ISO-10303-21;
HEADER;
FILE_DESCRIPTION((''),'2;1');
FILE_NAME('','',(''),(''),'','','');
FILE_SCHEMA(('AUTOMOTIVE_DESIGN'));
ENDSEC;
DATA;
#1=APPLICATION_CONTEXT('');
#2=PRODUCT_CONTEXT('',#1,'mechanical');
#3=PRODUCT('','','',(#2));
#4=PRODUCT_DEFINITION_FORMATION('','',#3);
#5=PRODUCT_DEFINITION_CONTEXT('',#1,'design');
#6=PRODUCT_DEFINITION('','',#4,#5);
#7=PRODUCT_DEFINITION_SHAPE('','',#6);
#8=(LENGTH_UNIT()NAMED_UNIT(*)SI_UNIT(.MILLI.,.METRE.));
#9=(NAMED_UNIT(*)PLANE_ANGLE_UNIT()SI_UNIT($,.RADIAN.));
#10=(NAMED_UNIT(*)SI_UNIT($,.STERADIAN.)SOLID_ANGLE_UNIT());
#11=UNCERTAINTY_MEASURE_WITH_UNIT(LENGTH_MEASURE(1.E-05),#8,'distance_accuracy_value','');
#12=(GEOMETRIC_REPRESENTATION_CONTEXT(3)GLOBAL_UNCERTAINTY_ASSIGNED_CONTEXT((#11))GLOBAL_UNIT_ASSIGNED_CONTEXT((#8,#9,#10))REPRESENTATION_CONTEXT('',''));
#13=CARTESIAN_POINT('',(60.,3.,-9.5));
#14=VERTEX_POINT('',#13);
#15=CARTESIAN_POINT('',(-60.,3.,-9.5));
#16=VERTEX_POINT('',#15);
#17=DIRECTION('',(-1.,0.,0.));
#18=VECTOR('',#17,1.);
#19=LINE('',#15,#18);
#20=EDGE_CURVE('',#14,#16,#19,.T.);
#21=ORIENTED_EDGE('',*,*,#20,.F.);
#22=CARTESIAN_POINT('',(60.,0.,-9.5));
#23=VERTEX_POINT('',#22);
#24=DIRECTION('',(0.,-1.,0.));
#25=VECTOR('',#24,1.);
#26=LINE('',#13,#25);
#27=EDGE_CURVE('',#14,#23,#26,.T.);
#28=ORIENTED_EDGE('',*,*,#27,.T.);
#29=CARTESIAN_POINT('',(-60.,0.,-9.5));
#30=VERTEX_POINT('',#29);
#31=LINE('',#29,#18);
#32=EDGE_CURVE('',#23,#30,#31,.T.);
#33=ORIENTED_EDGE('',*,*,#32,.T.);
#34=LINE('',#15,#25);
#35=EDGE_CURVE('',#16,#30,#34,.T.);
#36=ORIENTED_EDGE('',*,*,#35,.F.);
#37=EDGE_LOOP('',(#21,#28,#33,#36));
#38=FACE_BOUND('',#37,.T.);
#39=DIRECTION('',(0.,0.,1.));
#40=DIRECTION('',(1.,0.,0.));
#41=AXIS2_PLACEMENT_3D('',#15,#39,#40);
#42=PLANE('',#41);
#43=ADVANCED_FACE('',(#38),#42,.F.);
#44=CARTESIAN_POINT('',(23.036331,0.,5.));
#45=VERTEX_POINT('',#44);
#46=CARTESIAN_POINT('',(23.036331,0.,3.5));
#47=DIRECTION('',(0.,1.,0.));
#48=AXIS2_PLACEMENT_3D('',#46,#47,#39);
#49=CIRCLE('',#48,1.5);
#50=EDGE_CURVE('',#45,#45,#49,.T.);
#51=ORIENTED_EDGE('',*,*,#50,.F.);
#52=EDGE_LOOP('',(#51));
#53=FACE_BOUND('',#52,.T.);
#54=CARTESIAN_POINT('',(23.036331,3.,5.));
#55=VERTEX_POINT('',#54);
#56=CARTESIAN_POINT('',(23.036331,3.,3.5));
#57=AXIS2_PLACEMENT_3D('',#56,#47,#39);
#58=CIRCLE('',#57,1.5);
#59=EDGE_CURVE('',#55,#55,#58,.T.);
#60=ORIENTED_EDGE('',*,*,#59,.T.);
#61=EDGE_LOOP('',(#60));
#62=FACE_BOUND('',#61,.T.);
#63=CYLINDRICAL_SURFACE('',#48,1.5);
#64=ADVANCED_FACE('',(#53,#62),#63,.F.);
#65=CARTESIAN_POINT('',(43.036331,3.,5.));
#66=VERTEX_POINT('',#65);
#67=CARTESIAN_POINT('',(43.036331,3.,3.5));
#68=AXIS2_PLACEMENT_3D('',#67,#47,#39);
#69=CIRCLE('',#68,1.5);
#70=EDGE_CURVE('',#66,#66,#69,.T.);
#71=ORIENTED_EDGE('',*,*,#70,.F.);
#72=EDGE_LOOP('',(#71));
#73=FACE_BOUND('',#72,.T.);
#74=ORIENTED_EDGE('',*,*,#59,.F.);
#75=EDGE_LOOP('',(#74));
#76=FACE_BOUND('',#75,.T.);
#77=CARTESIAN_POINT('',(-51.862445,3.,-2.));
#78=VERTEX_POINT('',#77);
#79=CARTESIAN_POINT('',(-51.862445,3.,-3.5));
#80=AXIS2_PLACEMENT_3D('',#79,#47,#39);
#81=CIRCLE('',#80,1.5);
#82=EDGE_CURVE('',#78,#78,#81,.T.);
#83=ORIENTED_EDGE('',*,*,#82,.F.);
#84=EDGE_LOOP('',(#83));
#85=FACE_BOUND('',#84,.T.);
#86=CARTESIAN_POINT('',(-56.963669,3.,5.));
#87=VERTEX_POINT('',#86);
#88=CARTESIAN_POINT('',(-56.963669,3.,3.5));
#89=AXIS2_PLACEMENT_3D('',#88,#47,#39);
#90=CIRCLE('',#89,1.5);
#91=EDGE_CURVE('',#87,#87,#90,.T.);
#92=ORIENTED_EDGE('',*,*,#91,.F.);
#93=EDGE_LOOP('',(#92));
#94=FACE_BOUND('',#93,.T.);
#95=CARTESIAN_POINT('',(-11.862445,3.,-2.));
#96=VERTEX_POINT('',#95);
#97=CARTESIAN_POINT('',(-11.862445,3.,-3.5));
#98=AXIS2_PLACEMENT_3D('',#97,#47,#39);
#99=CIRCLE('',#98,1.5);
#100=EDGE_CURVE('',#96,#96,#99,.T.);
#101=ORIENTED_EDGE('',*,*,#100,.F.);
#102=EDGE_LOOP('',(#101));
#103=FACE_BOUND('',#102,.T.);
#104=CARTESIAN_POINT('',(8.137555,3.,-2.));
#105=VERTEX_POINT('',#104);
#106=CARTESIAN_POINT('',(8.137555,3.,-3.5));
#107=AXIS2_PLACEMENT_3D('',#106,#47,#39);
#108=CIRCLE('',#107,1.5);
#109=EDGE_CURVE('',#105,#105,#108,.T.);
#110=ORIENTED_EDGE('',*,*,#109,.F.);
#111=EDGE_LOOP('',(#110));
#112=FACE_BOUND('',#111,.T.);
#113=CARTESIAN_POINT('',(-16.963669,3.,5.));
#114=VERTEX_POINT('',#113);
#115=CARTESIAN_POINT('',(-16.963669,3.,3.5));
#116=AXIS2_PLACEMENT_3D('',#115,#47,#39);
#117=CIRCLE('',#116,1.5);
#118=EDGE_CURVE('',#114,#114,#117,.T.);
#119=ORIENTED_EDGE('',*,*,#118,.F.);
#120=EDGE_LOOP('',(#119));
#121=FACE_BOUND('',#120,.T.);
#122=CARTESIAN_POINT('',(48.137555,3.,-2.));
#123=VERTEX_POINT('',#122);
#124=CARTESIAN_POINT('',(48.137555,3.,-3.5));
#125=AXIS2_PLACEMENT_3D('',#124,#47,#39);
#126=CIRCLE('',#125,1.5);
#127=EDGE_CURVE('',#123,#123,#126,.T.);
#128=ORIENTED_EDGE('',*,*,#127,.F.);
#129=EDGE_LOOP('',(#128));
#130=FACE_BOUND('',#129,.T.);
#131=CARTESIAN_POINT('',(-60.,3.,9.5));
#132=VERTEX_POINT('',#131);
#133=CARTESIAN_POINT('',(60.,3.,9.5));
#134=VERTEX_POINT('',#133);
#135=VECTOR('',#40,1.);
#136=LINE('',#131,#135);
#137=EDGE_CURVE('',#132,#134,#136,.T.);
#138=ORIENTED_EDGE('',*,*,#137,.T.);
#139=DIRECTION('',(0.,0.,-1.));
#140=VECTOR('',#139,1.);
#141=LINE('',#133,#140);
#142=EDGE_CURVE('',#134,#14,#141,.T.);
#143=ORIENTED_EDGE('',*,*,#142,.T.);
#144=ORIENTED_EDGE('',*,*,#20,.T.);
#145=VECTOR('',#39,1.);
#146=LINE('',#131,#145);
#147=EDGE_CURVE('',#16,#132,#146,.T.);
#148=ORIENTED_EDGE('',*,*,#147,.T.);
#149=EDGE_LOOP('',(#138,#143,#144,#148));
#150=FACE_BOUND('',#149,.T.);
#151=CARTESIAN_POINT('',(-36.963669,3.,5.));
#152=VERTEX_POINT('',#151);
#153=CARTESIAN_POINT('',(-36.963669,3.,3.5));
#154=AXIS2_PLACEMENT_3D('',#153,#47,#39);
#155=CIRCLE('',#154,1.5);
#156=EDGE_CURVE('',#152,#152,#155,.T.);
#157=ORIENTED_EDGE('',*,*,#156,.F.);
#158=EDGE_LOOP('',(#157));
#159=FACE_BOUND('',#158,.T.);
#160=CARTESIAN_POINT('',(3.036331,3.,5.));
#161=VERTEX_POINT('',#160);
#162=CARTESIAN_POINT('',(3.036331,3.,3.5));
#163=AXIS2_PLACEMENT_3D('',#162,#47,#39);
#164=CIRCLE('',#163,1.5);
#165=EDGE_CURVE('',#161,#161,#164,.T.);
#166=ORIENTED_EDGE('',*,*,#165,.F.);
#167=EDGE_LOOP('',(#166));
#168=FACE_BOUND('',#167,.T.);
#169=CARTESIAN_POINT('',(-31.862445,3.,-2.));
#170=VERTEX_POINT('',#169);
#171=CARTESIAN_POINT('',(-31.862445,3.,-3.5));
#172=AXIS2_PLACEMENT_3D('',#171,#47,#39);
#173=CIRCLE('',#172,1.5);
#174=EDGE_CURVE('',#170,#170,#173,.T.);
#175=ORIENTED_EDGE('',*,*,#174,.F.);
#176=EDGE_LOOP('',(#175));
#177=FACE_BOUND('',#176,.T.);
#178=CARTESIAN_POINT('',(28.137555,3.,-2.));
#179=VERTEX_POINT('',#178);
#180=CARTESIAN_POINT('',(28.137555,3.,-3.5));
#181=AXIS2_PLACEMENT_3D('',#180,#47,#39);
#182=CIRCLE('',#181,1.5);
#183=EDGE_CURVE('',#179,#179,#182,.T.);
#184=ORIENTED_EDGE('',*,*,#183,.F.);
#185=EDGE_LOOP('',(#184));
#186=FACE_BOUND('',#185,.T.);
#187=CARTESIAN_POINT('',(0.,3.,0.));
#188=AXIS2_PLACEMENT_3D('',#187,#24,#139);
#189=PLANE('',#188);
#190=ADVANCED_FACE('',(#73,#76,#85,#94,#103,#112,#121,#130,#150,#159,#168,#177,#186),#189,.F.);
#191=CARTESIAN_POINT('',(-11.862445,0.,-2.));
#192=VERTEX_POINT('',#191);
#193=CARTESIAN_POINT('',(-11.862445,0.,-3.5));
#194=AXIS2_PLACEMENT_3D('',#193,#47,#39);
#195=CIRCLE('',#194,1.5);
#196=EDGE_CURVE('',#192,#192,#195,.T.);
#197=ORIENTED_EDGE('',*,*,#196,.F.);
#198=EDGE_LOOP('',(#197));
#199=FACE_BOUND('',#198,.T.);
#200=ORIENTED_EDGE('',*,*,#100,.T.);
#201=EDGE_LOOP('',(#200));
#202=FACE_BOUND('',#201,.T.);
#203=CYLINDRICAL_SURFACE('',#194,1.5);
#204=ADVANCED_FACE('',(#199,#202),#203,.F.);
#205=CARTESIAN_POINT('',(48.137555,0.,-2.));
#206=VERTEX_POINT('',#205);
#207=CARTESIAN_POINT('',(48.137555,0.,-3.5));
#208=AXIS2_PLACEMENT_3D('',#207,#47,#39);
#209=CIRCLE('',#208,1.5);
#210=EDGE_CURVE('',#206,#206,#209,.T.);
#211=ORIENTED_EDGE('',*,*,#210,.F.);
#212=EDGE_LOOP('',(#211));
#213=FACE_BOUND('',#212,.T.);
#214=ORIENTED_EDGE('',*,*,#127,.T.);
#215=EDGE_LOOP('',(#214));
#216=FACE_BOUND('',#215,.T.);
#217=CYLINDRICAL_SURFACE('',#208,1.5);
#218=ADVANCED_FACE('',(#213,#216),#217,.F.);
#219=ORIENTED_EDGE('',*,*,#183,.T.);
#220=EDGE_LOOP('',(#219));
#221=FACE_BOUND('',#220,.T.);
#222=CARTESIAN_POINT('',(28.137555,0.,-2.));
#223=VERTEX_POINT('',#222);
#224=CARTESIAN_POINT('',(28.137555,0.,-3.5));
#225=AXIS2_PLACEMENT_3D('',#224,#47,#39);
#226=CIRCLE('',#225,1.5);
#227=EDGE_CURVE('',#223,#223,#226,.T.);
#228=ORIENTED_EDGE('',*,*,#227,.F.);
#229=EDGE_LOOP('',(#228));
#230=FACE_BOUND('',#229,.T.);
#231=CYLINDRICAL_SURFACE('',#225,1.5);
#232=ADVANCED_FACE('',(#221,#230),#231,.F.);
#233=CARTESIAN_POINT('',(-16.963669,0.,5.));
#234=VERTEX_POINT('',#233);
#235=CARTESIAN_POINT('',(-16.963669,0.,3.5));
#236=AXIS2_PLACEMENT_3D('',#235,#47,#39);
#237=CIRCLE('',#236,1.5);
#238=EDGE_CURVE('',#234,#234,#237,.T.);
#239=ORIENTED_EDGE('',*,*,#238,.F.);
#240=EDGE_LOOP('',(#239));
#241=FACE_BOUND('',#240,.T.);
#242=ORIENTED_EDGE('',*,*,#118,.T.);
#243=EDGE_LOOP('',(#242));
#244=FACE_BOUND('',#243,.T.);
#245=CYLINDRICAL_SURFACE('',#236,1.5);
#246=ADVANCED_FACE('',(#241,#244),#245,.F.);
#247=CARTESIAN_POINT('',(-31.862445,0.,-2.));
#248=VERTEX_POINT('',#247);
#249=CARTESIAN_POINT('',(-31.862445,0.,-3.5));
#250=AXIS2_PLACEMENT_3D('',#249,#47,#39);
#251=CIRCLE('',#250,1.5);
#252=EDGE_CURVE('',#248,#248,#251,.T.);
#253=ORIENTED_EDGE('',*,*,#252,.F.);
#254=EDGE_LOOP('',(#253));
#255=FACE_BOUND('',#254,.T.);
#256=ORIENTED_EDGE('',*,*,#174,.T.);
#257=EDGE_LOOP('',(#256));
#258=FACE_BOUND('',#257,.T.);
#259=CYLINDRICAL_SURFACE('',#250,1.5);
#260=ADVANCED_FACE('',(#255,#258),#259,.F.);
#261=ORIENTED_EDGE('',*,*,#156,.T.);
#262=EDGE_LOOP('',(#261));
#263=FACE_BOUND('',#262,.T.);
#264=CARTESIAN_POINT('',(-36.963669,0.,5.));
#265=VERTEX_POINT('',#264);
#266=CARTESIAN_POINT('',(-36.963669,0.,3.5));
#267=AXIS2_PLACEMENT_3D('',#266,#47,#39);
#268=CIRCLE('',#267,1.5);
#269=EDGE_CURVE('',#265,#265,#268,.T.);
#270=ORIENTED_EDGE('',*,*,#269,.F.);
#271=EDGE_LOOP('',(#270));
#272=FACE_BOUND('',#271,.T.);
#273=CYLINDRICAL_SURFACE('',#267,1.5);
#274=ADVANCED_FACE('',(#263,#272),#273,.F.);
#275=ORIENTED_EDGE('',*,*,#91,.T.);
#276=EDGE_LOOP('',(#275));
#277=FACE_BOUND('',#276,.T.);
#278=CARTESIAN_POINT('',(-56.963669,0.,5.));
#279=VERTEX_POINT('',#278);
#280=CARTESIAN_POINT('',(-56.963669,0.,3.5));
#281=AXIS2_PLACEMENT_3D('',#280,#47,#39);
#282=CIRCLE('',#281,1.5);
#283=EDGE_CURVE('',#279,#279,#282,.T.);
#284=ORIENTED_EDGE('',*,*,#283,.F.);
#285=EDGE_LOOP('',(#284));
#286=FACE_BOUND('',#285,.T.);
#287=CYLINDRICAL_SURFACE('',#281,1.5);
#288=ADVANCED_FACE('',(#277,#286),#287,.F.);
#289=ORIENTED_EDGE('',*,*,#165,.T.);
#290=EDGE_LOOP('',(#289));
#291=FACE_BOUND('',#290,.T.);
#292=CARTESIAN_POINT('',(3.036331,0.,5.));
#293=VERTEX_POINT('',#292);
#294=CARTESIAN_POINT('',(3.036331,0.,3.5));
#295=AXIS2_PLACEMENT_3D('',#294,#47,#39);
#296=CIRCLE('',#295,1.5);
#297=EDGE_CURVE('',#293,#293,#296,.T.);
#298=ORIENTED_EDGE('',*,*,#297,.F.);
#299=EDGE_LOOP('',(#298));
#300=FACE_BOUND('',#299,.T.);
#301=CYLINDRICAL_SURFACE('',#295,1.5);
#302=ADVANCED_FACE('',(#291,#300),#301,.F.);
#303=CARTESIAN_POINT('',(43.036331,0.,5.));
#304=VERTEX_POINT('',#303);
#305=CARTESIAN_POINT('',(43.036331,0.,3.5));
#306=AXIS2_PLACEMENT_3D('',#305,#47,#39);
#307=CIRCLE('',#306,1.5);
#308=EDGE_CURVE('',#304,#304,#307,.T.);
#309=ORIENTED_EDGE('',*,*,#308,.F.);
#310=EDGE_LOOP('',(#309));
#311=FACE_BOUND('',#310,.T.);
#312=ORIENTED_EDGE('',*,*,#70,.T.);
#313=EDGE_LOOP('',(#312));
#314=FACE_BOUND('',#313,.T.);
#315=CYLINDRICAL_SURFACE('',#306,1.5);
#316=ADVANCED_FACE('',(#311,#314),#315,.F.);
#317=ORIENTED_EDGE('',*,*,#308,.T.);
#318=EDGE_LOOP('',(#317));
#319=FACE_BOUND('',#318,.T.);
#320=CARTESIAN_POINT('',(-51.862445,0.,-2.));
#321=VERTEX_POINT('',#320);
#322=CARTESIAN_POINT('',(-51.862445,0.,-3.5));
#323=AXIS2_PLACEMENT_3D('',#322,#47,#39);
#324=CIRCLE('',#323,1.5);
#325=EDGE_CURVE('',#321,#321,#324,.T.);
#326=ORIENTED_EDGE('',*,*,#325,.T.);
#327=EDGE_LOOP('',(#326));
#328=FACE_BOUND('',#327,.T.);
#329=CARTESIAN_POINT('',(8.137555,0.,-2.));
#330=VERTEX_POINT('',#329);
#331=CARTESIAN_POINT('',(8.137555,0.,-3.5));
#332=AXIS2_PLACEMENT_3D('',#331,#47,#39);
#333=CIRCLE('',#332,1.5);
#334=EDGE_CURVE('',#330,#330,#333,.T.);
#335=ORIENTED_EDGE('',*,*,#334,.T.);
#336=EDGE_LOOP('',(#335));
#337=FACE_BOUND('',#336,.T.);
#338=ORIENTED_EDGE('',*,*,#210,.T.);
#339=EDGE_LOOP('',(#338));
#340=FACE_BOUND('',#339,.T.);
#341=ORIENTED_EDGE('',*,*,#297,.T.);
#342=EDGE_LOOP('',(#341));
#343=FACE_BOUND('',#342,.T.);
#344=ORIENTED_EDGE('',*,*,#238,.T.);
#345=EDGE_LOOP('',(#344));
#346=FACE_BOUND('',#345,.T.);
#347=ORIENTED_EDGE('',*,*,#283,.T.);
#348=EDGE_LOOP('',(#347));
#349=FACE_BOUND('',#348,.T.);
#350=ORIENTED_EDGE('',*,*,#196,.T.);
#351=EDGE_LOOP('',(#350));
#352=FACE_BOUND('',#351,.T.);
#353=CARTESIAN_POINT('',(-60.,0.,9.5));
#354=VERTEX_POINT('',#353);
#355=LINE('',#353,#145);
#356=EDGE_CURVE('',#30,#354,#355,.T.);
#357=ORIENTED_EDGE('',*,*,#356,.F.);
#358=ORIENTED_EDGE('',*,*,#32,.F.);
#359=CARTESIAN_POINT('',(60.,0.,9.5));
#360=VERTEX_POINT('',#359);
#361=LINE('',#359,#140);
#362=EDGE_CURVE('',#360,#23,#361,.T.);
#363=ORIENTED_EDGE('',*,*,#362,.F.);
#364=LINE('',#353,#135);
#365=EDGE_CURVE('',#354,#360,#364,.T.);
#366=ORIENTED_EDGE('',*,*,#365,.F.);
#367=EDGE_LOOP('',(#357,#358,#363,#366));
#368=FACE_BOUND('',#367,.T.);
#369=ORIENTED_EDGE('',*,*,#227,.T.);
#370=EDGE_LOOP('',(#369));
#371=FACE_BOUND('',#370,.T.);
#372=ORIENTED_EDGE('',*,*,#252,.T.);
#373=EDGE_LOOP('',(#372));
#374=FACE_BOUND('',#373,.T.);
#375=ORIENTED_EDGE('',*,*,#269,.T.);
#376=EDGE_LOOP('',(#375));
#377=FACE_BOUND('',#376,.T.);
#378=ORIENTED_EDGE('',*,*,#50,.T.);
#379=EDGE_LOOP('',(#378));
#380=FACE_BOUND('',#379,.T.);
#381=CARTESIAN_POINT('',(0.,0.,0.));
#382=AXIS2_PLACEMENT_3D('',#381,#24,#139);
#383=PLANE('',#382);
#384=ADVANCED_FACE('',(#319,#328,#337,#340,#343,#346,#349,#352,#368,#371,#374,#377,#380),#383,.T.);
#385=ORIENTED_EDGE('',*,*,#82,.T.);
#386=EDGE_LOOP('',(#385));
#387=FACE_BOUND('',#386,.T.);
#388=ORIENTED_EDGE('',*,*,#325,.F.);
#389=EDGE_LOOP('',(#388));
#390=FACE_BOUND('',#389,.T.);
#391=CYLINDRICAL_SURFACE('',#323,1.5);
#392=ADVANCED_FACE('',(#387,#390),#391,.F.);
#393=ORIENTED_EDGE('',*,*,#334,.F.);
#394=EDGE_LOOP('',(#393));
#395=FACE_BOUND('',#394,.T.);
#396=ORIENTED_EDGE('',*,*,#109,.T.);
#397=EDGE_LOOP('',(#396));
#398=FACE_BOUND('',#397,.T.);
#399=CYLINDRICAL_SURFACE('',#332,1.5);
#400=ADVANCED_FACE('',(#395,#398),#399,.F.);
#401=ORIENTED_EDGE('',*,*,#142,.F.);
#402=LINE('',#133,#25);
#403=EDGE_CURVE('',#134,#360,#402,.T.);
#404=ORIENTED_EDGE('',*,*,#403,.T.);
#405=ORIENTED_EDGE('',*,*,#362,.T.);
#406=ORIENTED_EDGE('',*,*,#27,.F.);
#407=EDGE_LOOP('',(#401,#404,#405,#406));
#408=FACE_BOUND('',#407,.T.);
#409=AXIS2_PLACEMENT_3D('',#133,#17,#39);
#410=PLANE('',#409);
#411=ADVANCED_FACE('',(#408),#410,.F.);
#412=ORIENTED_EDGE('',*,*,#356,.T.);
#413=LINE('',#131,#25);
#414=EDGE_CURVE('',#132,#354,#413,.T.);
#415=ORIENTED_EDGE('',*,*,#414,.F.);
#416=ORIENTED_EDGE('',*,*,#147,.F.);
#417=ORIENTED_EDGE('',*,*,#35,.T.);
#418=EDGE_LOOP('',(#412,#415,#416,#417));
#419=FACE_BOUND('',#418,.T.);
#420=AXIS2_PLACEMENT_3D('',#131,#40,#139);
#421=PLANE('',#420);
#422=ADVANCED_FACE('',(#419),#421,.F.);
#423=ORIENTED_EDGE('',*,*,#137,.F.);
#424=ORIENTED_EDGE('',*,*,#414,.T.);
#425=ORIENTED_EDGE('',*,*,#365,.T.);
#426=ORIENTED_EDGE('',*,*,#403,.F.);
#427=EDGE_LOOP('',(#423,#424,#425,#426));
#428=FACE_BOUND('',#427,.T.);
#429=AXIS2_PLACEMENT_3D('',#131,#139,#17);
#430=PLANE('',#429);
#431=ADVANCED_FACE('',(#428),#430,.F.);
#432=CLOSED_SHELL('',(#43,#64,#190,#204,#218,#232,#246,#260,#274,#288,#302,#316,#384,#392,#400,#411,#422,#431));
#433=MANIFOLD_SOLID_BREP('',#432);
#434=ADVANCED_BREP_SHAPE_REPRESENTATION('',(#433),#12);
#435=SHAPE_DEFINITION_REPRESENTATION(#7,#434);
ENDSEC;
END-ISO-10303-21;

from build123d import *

# Parameters (mm, degrees)
SKETCH_1_W          = 120
SKETCH_1_H          = 19
EXTRUDE_1_DEPTH     = 3
SKETCH_2_R          = 1.5
CUT_EXTRUDE_1_DEPTH = 3


with BuildPart() as part:
    # Эскиз1 → Бобышка-Вытянуть1 (new body)
    with BuildSketch(Plane(origin=(0, 0, 0), x_dir=(1, 0, 0), z_dir=(0, 1, 0))):
        Rectangle(SKETCH_1_W, SKETCH_1_H)
    extrude(amount=EXTRUDE_1_DEPTH)

    # Эскиз2 → Вырез-Вытянуть1 (cut)
    with BuildSketch(Plane(origin=(0, 3, 0), x_dir=(1, 0, 0), z_dir=(0, 1, 0))):
        with Locations((-51.862444671, 3.5)):
            Circle(SKETCH_2_R)
        with Locations((-56.963668737, -3.5)):
            Circle(SKETCH_2_R)
        with Locations((-31.862444671, 3.5)):
            Circle(SKETCH_2_R)
        with Locations((-36.963668737, -3.5)):
            Circle(SKETCH_2_R)
        with Locations((-11.862444671, 3.5)):
            Circle(SKETCH_2_R)
        with Locations((-16.963668737, -3.5)):
            Circle(SKETCH_2_R)
        with Locations((8.137555329, 3.5)):
            Circle(SKETCH_2_R)
        with Locations((3.036331263, -3.5)):
            Circle(SKETCH_2_R)
        with Locations((28.137555329, 3.5)):
            Circle(SKETCH_2_R)
        with Locations((23.036331263, -3.5)):
            Circle(SKETCH_2_R)
        with Locations((48.137555329, 3.5)):
            Circle(SKETCH_2_R)
        with Locations((43.036331263, -3.5)):
            Circle(SKETCH_2_R)
    extrude(amount=-CUT_EXTRUDE_1_DEPTH, mode=Mode.SUBTRACT)


solid = part.part
